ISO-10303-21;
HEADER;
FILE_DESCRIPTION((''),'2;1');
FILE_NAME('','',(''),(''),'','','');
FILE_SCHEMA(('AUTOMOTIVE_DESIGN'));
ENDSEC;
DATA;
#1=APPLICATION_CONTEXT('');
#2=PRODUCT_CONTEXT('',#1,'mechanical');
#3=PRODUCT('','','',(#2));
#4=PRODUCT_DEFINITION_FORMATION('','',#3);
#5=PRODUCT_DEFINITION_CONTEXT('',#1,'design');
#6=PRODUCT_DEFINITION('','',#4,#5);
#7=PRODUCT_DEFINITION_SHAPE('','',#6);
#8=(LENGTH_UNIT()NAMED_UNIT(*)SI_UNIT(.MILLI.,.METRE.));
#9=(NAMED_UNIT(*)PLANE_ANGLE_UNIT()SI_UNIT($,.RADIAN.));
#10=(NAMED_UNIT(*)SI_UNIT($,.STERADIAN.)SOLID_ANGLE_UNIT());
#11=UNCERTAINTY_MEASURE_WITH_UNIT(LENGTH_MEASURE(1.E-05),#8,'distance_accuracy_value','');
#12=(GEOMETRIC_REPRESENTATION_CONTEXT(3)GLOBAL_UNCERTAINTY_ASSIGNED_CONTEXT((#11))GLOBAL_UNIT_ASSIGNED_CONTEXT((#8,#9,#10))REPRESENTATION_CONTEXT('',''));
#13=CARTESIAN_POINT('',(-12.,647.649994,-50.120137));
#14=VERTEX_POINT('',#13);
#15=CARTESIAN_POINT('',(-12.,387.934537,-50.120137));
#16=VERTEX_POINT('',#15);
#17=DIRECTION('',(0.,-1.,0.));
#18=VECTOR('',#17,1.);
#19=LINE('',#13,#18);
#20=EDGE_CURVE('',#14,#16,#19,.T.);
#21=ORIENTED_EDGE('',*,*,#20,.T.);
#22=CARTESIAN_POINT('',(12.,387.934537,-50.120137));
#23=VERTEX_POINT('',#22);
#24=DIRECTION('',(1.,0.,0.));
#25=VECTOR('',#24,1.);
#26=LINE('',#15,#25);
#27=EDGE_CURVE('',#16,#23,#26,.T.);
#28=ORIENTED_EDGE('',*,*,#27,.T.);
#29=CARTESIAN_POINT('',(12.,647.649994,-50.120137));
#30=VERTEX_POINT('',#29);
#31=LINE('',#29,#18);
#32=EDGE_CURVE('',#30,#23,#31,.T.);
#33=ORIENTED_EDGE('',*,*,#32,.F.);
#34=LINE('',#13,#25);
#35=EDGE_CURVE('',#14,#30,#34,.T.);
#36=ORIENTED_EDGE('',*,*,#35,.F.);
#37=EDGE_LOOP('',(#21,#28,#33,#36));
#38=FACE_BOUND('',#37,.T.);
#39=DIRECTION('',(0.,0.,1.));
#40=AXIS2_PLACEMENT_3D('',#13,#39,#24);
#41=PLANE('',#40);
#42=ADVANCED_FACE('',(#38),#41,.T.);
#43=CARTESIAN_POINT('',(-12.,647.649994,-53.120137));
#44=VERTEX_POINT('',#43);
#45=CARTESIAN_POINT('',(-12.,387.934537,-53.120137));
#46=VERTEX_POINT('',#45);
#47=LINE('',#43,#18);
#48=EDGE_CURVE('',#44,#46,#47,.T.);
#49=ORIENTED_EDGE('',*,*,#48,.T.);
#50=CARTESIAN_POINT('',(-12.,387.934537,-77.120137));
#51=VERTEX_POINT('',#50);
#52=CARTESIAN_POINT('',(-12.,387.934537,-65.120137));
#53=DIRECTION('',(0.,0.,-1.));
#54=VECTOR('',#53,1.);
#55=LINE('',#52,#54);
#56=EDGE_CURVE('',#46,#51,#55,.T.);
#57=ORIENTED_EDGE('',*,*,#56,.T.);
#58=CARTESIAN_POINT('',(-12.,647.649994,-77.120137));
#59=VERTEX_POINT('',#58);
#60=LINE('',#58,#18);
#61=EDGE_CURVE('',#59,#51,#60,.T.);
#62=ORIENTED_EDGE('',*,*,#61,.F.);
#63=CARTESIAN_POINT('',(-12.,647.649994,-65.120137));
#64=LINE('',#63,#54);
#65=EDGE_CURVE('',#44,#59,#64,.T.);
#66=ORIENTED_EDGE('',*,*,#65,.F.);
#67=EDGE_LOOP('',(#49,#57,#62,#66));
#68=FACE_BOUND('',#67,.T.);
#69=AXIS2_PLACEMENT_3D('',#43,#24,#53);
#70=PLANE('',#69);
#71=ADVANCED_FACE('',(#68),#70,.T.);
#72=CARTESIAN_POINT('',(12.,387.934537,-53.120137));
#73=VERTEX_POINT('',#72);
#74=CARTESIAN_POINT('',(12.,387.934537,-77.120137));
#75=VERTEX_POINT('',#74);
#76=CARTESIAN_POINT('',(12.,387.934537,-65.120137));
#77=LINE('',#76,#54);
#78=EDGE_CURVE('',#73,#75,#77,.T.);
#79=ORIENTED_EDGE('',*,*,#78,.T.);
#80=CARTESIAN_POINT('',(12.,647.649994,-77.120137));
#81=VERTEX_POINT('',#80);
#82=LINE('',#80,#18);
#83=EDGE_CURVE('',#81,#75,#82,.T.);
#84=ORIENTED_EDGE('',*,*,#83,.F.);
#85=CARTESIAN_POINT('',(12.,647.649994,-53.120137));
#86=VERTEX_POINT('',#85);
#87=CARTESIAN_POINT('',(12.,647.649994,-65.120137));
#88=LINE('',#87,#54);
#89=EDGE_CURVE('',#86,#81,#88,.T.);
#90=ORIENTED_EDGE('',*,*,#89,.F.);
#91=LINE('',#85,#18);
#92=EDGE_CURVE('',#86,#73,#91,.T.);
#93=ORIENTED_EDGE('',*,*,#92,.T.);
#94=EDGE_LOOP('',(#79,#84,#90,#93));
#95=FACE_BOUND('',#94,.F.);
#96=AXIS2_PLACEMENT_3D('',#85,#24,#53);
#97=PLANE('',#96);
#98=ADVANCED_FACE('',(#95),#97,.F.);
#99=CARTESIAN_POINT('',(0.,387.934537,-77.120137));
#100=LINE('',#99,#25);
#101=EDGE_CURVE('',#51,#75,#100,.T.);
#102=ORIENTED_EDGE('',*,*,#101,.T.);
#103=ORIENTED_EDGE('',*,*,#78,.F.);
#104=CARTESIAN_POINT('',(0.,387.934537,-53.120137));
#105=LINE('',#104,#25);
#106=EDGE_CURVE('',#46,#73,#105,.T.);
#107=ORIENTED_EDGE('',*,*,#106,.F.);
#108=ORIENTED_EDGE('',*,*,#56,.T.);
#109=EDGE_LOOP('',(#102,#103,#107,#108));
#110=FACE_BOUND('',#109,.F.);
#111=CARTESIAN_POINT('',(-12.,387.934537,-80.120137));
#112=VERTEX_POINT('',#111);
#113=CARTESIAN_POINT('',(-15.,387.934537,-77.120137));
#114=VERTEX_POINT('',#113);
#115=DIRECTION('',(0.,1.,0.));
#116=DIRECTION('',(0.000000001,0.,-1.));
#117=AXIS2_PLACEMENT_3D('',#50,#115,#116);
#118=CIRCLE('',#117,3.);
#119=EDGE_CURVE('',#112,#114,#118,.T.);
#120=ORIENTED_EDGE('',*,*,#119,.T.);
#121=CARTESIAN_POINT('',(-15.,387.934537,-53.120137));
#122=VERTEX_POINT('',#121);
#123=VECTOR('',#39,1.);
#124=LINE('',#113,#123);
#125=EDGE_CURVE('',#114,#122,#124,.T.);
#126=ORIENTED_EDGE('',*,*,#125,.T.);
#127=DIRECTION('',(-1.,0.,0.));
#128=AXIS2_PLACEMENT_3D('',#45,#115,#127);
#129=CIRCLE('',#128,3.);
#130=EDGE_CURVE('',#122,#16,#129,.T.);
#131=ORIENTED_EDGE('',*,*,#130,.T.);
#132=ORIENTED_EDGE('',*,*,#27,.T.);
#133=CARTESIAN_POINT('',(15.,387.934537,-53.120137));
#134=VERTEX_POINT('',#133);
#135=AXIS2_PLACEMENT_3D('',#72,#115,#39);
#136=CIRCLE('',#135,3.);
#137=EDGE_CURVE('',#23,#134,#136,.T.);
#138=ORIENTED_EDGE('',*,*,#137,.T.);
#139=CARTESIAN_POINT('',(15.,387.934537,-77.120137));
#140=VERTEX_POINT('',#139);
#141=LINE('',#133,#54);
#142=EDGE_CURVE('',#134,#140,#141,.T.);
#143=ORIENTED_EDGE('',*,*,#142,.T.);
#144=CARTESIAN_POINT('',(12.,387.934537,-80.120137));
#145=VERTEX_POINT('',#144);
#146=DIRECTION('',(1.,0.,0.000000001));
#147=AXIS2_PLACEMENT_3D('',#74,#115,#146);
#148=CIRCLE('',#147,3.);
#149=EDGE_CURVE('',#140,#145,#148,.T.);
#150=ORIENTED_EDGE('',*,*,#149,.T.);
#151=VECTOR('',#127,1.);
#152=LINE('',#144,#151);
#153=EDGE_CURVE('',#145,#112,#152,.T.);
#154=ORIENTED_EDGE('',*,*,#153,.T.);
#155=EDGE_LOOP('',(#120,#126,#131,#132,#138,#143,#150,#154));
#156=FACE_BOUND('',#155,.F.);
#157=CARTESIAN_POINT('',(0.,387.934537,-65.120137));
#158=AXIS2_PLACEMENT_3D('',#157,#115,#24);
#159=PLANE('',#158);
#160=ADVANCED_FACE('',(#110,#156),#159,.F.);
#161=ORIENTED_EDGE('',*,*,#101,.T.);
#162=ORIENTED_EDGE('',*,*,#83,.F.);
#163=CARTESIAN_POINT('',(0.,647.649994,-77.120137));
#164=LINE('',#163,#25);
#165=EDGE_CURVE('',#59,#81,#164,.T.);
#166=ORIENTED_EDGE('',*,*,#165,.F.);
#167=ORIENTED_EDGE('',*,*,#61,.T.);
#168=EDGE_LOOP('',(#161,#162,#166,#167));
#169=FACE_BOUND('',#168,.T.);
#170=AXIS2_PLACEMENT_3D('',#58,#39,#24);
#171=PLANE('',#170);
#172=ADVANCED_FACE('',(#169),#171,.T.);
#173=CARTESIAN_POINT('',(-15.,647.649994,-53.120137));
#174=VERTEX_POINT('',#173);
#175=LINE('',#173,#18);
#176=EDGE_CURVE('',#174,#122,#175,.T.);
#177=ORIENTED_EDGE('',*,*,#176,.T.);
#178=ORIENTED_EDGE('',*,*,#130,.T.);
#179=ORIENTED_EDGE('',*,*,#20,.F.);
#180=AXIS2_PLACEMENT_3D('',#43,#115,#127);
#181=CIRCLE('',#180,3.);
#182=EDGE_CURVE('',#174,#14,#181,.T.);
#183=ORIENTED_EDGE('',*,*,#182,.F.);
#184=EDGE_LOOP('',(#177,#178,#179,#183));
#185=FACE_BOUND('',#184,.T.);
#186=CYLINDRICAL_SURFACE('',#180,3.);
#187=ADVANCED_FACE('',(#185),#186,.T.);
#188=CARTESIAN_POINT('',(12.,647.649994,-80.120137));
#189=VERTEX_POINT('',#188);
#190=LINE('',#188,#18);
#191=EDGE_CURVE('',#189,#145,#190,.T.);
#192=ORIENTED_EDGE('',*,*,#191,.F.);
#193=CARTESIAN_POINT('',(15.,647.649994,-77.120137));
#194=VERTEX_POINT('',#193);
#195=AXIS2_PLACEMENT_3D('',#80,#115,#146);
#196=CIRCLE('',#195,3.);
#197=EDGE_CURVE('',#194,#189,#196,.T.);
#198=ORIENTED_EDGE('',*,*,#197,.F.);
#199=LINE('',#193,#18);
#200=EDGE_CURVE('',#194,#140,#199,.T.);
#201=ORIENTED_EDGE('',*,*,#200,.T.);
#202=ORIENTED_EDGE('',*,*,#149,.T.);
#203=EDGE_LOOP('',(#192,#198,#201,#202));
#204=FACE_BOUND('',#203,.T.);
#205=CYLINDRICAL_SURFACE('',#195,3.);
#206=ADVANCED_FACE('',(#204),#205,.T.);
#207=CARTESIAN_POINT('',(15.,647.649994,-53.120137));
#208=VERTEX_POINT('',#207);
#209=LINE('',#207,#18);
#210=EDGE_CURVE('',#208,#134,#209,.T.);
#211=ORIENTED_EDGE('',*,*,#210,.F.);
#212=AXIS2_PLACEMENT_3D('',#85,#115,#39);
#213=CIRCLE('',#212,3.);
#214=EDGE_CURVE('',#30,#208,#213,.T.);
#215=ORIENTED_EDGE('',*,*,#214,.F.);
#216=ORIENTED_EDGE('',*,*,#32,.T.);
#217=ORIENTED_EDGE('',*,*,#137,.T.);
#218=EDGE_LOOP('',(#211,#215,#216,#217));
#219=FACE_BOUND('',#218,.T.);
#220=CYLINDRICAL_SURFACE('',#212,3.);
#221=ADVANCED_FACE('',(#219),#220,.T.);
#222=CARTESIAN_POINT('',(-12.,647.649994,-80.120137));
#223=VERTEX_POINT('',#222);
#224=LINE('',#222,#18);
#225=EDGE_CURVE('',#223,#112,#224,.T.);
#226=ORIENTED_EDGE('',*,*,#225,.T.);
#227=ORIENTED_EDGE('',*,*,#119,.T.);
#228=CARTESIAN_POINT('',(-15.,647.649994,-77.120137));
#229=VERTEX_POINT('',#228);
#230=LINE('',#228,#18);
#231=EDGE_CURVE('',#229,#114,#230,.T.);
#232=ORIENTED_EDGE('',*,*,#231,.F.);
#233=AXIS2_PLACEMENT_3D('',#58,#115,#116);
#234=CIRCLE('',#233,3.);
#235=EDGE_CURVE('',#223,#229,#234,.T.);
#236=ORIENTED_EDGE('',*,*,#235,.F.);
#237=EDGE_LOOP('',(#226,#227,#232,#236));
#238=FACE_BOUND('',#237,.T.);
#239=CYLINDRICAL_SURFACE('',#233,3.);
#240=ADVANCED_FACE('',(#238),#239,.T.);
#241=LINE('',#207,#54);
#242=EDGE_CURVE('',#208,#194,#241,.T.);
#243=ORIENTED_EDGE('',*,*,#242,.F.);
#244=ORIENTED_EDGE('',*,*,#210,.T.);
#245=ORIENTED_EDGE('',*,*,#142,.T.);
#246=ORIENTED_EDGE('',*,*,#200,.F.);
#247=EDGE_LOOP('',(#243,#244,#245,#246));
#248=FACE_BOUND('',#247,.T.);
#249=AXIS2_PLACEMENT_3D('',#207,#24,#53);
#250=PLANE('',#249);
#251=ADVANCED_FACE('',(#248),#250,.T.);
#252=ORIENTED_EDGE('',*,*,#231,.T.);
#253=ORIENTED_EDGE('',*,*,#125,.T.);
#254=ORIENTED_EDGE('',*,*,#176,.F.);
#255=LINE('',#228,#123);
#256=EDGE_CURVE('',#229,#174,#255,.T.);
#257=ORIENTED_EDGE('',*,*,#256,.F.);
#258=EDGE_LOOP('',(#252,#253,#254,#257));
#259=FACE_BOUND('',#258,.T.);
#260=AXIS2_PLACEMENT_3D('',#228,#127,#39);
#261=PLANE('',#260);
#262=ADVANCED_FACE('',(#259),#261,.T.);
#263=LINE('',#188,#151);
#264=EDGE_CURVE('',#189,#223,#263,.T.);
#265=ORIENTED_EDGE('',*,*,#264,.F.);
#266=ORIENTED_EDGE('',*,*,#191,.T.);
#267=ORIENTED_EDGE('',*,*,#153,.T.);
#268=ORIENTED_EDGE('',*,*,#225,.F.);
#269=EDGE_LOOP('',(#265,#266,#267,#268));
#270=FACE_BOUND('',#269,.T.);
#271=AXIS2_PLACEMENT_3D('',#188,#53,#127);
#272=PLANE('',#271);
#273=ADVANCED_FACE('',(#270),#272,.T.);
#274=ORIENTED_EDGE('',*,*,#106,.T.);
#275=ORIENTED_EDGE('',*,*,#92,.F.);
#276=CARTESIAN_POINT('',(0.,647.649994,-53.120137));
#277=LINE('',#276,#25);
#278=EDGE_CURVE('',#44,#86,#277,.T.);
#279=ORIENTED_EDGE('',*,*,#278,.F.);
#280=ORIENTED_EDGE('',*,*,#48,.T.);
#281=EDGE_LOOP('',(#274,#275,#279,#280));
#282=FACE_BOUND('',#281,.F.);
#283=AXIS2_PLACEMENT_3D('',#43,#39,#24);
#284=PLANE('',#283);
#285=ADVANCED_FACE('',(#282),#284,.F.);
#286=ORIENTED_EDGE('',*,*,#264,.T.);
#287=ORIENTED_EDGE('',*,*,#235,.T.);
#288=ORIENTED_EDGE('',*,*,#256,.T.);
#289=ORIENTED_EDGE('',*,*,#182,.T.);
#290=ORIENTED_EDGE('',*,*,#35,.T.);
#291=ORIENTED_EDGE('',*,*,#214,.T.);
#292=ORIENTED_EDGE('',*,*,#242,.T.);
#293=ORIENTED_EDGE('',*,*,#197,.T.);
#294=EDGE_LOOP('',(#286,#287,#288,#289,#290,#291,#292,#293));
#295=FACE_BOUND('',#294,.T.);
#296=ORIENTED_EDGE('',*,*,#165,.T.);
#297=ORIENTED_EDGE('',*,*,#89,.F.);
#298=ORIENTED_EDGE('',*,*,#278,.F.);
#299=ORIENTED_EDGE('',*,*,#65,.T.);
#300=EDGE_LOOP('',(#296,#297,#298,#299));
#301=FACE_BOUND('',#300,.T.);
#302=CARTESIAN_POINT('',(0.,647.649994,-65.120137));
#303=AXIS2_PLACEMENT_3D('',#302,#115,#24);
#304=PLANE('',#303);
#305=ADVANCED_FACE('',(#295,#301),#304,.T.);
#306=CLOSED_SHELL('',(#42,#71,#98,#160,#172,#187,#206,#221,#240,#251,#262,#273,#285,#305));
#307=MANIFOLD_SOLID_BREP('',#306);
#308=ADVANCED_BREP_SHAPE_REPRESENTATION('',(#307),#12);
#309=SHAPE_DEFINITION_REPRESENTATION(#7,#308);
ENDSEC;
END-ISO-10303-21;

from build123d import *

# Parameters (mm, degrees)
CROQUIS1_W              = 24
CROQUIS1_H              = 24
SALIENTE_EXTRUIR1_DEPTH = 259.715457153


with BuildPart() as part:
    # Croquis1 → Saliente-Extruir1 (new body)
    with BuildSketch(Plane(origin=(0, 647.649993896, 0), x_dir=(1, 0, 0), z_dir=(0, 1, 0))):
        with BuildLine():
            Line((-12, 50.120137415), (12, 50.120137415))
            ThreePointArc((12, 50.120137415), (14.121320344, 50.998817072), (15, 53.120137415))
            Line((15, 53.120137415), (15, 77.120137415))
            ThreePointArc((15, 77.120137415), (14.121320344, 79.241457759), (12, 80.120137415))
            Line((12, 80.120137415), (-12, 80.120137415))
            ThreePointArc((-12, 80.120137415), (-14.121320344, 79.241457759), (-15, 77.120137415))
            Line((-15, 77.120137415), (-15, 53.120137415))
            ThreePointArc((-15, 53.120137415), (-14.121320344, 50.998817072), (-12, 50.120137415))
        make_face()
        with Locations((0, 65.120137415)):
            Rectangle(CROQUIS1_W, CROQUIS1_H, mode=Mode.SUBTRACT)
    extrude(amount=-SALIENTE_EXTRUIR1_DEPTH)


solid = part.part
